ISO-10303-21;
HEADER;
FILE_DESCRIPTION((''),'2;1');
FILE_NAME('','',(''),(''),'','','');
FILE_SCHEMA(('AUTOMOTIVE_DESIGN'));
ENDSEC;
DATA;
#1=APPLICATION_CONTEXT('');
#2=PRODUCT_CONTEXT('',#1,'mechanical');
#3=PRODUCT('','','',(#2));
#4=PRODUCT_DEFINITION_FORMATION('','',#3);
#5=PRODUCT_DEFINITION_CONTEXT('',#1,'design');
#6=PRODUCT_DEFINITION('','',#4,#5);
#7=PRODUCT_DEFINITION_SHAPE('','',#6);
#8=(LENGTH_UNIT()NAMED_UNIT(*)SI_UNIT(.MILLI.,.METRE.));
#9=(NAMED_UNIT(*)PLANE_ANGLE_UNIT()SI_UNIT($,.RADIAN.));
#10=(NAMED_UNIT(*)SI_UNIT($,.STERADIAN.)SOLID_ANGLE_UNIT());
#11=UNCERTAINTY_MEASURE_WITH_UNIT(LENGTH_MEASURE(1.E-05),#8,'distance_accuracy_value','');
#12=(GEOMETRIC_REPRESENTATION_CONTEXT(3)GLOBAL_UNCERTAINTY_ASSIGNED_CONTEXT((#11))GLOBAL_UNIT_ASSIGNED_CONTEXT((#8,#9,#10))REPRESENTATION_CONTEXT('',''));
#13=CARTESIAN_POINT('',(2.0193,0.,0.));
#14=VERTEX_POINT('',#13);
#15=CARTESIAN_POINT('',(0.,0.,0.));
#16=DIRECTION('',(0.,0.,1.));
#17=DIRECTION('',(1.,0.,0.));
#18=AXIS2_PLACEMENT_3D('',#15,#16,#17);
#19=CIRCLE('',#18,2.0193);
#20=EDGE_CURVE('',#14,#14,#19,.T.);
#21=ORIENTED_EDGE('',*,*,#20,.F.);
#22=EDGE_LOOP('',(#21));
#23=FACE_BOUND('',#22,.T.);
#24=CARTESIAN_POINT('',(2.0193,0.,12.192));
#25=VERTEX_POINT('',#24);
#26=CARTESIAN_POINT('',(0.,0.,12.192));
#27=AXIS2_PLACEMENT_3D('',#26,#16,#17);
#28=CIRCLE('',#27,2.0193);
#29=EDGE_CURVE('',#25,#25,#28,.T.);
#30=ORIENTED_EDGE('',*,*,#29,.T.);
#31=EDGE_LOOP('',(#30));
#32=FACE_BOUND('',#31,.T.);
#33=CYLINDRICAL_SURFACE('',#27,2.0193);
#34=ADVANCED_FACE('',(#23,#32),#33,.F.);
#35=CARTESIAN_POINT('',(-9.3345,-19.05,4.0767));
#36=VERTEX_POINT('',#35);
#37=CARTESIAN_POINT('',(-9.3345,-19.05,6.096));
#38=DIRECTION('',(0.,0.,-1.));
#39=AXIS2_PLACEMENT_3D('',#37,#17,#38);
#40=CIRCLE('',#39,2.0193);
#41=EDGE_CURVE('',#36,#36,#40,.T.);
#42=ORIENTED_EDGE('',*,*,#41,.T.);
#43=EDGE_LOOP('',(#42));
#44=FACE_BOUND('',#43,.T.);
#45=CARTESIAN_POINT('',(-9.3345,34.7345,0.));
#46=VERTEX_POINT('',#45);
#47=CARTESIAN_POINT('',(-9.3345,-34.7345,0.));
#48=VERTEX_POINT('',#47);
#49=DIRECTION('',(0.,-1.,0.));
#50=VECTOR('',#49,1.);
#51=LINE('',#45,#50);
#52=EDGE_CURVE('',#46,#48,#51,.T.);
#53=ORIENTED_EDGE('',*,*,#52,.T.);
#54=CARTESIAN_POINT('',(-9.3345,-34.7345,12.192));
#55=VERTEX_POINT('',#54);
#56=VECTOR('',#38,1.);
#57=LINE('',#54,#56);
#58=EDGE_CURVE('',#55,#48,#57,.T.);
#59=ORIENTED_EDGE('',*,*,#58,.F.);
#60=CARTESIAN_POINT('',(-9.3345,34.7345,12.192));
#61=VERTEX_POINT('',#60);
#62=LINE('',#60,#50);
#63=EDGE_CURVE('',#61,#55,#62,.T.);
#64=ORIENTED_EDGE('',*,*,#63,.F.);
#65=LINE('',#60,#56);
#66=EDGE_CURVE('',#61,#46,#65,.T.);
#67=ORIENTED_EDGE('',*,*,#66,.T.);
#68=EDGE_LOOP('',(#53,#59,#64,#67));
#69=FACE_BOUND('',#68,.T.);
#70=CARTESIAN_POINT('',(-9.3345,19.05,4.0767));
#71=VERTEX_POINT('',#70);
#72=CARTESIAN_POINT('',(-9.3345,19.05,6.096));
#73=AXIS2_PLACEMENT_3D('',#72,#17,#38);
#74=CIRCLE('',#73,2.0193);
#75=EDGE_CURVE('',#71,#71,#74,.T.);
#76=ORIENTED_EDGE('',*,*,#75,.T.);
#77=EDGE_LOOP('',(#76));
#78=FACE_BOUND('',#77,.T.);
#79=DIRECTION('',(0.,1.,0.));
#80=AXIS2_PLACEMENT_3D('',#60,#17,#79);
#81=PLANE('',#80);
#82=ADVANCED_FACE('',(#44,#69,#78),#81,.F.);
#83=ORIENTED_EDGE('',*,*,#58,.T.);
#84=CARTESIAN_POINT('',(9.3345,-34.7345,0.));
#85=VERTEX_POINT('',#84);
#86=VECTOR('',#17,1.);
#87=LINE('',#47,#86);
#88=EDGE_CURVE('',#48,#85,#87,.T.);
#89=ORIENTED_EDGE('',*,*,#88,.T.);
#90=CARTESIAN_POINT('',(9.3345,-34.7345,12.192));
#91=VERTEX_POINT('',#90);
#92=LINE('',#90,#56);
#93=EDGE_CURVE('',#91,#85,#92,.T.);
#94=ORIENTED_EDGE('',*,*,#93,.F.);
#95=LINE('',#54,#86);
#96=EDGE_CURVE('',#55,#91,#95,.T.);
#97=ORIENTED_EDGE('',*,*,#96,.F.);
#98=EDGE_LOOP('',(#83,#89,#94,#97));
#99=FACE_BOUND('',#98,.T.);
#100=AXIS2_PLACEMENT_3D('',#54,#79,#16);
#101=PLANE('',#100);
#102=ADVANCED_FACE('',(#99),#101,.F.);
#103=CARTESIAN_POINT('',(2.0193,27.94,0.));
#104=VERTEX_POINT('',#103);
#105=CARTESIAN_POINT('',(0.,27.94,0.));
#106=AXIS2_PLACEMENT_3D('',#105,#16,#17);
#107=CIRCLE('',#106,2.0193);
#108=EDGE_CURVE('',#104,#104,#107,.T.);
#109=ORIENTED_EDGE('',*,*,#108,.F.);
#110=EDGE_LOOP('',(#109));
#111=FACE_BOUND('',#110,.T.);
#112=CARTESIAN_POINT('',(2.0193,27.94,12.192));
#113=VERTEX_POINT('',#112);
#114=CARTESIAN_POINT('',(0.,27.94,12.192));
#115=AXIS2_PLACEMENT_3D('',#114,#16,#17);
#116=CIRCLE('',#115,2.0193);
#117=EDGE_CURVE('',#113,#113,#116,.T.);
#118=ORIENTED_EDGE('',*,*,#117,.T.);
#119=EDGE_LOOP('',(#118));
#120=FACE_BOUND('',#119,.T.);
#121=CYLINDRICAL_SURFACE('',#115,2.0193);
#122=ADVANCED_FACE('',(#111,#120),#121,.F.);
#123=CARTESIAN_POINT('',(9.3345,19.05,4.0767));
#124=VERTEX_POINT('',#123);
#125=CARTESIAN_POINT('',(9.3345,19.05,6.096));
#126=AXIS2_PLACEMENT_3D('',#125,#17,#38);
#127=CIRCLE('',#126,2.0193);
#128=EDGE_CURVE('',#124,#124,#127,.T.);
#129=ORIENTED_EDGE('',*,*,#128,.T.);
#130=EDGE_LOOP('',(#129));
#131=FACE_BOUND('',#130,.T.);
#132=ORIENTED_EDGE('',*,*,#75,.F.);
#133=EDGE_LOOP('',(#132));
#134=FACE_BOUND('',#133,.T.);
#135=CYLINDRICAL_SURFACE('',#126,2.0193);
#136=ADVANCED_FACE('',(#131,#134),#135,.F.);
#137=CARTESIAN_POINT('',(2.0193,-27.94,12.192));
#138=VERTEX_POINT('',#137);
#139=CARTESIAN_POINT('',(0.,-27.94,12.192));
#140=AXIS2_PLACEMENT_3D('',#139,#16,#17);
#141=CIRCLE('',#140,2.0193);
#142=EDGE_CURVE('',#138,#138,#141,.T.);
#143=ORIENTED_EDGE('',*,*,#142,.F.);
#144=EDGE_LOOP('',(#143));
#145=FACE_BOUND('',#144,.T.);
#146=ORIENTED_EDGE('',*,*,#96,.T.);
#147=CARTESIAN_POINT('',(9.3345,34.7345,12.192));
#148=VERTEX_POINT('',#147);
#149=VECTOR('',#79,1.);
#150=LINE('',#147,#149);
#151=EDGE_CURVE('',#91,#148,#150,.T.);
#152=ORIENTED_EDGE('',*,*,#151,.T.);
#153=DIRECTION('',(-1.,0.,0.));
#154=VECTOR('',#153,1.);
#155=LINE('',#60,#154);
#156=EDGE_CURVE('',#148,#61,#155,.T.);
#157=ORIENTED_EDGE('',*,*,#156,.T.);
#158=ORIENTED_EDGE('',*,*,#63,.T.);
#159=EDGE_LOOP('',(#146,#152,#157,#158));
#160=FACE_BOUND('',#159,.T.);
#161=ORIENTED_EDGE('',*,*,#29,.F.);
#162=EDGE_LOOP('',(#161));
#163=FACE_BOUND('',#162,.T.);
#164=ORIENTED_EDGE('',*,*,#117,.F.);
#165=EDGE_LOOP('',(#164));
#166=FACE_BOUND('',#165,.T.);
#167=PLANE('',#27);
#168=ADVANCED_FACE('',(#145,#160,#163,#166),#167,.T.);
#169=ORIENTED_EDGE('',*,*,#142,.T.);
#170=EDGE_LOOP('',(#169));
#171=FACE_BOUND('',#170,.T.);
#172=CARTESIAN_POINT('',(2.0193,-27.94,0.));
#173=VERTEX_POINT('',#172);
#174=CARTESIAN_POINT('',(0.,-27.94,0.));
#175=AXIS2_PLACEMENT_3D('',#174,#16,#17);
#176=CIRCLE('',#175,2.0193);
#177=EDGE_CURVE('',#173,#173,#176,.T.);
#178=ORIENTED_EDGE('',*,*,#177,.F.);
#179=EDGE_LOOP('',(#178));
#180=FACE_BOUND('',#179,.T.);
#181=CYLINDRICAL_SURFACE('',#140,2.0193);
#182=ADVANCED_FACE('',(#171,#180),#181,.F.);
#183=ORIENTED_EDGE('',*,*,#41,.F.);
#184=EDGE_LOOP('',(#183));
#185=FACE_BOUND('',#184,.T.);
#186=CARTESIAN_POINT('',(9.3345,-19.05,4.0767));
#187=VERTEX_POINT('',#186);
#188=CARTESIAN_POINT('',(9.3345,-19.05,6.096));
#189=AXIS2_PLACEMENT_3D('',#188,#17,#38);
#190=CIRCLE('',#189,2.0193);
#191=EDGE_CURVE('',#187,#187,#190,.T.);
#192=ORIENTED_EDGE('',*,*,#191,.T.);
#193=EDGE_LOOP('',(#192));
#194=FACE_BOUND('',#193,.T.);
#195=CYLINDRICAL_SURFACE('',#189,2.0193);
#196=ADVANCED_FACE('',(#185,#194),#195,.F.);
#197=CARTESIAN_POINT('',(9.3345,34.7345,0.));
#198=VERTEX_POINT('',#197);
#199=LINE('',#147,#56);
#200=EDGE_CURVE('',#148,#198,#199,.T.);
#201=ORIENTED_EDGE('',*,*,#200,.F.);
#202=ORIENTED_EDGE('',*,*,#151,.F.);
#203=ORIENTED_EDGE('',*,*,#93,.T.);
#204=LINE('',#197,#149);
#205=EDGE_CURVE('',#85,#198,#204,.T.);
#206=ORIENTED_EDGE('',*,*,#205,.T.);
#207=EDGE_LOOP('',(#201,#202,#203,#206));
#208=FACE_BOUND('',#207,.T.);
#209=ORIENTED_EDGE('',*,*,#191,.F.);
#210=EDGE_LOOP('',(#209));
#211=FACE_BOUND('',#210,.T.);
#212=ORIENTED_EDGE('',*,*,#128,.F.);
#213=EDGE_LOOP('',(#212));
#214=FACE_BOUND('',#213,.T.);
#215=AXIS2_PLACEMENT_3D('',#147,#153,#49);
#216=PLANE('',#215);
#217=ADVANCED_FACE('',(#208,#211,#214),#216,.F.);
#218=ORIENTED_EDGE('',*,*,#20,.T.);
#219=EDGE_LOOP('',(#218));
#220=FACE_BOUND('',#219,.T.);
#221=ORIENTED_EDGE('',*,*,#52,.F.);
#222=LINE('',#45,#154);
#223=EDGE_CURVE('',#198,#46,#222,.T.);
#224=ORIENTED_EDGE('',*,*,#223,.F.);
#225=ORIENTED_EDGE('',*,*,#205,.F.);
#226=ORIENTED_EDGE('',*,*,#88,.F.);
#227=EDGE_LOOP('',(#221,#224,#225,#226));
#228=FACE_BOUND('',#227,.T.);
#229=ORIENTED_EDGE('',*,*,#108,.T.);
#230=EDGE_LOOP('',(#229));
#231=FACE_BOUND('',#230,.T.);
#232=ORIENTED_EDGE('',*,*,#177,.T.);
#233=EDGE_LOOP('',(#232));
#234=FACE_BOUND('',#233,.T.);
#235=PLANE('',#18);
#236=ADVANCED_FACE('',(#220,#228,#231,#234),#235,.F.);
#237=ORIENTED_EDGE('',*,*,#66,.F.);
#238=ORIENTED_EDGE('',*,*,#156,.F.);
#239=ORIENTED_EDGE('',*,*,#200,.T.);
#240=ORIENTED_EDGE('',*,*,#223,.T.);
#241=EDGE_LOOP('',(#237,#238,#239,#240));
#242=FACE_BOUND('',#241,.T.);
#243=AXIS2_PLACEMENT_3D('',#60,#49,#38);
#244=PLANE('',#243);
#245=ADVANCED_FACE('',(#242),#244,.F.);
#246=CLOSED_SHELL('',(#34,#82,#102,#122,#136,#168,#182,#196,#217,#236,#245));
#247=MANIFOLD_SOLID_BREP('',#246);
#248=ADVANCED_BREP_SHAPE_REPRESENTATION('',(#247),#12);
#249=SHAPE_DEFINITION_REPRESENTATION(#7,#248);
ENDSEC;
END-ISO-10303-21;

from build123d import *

# Parameters (mm, degrees)
SKETCH1_W                  = 18.669
SKETCH1_H                  = 69.469
BOSS_EXTRUDE1_DEPTH        = 12.192
TAP_DRILL_FOR_10_32_TAP1_D = 4.0386
TAP_DRILL_FOR_10_32_TAP2_D = 4.0386


with BuildPart() as part:
    # Sketch1 → Boss-Extrude1 (new body)
    with BuildSketch(Plane.XY):
        Rectangle(SKETCH1_W, SKETCH1_H)
    extrude(amount=BOSS_EXTRUDE1_DEPTH)

    # Tap Drill for #10-32 Tap1 (through all)
    with Locations(Plane(origin=(9.3345, 0, 0), x_dir=(0, 0, -1), z_dir=(1, 0, 0))):
        with Locations((-6.096, 19.05), (-6.096, -19.05)):
            Hole(TAP_DRILL_FOR_10_32_TAP1_D / 2)

    # Tap Drill for #10-32 Tap2 (through all)
    with Locations(Plane.XY.offset(12.192)):
        with Locations((0, 27.94), (0, -27.94), (0, 0)):
            Hole(TAP_DRILL_FOR_10_32_TAP2_D / 2)


solid = part.part
